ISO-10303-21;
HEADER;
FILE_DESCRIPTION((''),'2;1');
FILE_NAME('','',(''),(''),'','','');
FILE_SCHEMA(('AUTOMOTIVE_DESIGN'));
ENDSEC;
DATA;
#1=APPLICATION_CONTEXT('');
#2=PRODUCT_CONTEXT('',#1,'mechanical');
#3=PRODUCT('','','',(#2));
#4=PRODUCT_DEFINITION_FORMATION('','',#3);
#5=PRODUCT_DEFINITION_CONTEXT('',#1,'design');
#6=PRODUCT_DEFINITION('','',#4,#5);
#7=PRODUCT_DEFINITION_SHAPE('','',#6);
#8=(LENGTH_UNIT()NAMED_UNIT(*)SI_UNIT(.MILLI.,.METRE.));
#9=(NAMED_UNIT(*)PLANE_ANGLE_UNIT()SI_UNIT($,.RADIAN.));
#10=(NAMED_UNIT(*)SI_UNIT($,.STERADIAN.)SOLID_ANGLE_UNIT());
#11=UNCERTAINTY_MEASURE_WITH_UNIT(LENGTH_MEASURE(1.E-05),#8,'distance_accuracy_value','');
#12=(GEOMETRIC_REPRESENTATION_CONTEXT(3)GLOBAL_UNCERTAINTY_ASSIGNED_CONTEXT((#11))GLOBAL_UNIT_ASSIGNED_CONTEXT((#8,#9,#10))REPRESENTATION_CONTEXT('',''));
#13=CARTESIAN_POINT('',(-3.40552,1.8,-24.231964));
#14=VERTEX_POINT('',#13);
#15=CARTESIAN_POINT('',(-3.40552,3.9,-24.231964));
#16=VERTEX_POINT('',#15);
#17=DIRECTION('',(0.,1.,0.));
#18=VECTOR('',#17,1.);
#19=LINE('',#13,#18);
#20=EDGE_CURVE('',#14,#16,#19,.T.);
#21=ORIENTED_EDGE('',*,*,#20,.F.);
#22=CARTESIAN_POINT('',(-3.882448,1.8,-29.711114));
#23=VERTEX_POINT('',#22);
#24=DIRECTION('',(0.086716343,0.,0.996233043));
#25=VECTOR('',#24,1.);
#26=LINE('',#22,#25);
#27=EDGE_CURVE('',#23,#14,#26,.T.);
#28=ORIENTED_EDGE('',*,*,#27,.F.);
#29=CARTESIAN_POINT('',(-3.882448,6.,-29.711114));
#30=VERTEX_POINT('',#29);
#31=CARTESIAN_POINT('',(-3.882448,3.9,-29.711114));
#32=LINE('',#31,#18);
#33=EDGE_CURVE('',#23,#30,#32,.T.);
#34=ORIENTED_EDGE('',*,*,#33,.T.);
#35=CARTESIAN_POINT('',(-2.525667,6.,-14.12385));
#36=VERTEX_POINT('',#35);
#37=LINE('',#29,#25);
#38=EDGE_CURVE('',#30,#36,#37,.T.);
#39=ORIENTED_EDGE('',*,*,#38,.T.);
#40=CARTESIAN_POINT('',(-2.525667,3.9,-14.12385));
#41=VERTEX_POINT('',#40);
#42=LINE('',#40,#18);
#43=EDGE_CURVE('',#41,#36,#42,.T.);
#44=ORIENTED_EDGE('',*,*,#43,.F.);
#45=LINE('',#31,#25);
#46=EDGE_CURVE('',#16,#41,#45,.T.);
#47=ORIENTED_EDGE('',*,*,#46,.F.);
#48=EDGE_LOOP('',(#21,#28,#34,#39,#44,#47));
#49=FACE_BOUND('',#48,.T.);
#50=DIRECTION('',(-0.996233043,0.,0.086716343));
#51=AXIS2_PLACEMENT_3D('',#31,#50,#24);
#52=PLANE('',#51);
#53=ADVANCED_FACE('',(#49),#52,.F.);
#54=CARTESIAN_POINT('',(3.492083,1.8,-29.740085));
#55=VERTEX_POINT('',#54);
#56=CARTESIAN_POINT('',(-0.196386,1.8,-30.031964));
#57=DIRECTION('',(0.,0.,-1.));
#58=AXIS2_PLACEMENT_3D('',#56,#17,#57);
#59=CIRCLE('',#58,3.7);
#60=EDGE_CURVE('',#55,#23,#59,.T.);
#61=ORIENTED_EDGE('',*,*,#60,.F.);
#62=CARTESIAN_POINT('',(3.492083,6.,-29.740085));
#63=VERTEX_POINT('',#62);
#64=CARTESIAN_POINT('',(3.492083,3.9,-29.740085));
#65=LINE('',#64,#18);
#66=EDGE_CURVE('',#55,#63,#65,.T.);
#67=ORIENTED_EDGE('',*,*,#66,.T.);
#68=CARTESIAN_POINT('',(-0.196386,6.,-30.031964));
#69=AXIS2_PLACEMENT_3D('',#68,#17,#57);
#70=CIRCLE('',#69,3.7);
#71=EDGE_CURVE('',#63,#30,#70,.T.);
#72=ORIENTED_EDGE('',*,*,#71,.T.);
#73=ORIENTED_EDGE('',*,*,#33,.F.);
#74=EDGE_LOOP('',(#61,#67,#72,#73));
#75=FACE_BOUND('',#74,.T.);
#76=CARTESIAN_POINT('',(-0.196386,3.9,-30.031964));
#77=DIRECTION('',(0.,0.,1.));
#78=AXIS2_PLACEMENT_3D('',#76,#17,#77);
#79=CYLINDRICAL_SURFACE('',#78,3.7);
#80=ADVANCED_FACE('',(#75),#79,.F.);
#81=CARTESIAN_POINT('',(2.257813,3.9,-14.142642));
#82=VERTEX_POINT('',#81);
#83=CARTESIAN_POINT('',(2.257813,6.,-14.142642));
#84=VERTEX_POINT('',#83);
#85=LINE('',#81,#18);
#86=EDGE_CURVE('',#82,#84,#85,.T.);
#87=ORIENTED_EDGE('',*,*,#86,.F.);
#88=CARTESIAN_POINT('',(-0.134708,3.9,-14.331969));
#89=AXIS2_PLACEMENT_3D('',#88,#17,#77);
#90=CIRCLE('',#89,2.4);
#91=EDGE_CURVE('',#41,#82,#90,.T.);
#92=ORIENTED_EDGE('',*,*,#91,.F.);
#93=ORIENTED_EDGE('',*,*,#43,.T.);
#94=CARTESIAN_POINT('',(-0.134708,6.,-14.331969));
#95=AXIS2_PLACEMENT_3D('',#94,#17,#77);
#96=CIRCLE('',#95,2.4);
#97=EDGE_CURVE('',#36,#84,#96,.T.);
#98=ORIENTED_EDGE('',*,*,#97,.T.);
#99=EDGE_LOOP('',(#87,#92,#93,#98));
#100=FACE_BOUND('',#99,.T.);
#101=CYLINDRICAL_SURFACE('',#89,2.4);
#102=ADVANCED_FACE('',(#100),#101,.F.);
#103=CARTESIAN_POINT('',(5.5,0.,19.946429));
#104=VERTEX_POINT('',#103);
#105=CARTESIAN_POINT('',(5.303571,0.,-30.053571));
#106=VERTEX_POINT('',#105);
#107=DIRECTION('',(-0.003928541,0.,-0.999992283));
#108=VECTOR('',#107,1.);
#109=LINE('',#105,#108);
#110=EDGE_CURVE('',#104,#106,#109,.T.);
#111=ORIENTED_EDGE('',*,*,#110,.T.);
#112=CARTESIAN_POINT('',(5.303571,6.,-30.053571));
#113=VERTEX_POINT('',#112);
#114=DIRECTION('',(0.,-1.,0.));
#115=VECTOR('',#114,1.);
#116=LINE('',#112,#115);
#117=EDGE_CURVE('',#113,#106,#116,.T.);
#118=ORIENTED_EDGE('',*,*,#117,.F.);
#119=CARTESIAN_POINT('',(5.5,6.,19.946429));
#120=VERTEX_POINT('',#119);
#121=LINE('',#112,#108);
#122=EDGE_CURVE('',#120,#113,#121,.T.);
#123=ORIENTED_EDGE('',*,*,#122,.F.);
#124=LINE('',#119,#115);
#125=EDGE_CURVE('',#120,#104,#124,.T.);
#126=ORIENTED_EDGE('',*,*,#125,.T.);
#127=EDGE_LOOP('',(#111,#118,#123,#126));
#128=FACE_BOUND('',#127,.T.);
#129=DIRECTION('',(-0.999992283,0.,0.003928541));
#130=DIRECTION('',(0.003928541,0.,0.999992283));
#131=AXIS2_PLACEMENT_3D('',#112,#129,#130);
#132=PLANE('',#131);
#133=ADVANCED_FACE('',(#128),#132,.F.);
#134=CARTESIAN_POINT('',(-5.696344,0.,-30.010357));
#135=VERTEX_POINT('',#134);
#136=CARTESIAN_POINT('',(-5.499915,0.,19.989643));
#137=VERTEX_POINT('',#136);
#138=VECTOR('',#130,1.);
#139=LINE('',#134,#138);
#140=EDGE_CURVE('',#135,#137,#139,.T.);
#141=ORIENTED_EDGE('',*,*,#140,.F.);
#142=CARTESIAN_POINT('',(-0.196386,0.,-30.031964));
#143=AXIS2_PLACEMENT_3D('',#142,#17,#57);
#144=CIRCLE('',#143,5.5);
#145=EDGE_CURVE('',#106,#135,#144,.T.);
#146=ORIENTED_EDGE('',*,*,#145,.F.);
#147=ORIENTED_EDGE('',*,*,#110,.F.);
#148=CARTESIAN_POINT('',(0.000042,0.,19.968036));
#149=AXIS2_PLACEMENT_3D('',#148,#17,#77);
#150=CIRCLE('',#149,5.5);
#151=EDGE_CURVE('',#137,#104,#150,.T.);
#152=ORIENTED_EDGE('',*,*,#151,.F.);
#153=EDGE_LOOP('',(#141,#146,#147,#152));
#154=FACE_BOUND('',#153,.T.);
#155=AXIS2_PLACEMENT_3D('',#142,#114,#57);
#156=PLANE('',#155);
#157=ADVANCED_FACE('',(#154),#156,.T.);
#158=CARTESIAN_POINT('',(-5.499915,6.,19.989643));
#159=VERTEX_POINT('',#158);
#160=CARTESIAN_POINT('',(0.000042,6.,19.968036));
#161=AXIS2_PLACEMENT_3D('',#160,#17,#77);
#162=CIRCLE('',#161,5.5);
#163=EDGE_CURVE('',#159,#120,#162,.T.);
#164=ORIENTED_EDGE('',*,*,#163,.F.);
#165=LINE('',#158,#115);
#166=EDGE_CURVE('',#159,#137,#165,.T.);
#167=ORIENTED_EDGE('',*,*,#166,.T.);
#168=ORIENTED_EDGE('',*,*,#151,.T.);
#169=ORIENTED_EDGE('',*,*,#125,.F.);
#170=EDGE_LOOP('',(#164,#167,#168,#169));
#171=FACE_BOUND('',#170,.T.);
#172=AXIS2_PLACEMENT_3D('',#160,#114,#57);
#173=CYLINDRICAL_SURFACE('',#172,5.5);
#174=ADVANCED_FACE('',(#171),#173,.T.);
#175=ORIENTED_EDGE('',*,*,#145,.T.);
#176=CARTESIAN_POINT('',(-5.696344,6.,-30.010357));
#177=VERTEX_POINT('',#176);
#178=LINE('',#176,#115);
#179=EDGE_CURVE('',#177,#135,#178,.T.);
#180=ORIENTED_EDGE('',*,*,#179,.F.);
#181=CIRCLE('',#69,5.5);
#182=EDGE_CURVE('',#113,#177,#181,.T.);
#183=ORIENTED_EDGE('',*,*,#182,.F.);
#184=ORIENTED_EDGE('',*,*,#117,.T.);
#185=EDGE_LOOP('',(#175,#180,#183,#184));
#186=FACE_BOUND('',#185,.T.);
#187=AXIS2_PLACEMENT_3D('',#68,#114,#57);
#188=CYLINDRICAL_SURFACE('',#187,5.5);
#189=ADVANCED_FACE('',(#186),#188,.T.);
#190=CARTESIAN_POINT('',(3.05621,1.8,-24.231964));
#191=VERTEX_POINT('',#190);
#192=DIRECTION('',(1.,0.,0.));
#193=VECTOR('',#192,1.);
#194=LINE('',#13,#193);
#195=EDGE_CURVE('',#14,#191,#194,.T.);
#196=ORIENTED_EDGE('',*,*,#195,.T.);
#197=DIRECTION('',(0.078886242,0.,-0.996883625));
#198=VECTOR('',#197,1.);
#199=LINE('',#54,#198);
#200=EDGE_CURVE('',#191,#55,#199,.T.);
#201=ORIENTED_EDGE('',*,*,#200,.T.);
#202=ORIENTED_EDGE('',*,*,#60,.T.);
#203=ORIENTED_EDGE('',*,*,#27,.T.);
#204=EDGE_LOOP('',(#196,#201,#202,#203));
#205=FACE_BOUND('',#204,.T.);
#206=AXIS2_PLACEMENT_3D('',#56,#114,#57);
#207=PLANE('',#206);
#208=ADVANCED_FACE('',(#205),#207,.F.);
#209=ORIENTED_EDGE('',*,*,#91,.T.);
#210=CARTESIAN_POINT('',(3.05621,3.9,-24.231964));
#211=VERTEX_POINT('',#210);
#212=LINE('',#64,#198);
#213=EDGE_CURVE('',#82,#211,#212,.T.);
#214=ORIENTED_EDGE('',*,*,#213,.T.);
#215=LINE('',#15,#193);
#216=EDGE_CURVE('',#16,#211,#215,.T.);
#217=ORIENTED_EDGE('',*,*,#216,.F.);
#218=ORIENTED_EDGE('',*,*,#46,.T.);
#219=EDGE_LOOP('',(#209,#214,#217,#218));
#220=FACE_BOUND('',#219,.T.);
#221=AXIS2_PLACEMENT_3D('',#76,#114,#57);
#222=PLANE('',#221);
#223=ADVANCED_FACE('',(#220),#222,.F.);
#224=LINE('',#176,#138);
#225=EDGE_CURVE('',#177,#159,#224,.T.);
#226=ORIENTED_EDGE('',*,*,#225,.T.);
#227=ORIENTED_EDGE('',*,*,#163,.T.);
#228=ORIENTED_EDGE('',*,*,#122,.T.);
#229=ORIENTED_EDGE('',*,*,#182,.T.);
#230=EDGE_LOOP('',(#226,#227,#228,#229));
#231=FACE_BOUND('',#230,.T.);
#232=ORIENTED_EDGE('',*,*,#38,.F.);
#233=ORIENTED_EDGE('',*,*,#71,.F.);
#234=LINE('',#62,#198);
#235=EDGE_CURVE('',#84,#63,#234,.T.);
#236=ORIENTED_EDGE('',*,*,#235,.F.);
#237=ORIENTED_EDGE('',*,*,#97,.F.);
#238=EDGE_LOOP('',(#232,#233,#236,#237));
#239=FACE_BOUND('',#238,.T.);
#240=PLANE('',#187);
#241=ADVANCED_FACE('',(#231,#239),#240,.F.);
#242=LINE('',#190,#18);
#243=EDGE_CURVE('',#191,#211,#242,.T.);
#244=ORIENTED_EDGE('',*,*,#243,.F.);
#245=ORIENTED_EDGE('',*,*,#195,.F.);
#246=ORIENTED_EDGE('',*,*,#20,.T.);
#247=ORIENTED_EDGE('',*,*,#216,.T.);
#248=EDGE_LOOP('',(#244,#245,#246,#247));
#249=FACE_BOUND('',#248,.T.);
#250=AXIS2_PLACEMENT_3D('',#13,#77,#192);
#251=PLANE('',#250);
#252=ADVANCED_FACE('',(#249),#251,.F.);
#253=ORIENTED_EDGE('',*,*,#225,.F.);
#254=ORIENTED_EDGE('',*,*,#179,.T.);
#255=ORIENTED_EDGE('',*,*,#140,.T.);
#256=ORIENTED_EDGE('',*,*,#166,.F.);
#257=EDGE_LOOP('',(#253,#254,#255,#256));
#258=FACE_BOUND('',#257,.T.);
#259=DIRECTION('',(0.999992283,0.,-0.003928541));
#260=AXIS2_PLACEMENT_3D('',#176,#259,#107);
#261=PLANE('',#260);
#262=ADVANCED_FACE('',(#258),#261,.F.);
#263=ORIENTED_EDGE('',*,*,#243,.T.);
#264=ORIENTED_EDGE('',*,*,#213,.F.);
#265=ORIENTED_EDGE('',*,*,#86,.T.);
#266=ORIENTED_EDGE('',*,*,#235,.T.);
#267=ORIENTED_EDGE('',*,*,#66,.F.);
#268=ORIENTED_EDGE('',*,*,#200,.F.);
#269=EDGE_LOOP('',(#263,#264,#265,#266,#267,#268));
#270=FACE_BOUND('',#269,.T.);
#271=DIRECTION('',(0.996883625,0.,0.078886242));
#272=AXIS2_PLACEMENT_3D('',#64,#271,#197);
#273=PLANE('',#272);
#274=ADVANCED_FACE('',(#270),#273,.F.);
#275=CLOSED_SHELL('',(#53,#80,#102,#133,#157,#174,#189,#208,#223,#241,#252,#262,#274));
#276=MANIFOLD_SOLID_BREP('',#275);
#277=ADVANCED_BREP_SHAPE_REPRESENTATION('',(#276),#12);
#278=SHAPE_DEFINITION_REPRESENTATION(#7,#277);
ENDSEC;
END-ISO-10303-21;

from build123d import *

# Parameters (mm, degrees)
EXTRUDE_1_DEPTH     = 6
CUT_EXTRUDE_1_DEPTH = 2.1
CUT_EXTRUDE_2_DEPTH = 2.1


with BuildPart() as part:
    # Эскиз2 → Бобышка-Вытянуть1 (new body)
    with BuildSketch(Plane(origin=(0, 0, 0), x_dir=(1, 0, 0), z_dir=(0, 1, 0))):
        with BuildLine():
            Line((-5.696343687, 30.010357476), (-5.499915116, -19.989642524))
            ThreePointArc((-5.499915116, -19.989642524), (0.021649418, -25.467993105), (5.5, -19.946428571))
            Line((5.5, -19.946428571), (5.303571429, 30.053571429))
            ThreePointArc((5.303571429, 30.053571429), (-0.217993105, 35.53192201), (-5.696343687, 30.010357476))
        make_face()
    extrude(amount=EXTRUDE_1_DEPTH)

    # Эскиз3 → Вырез-Вытянуть1 (cut)
    with BuildSketch(Plane(origin=(0, 6, 0), x_dir=(1, 0, 0), z_dir=(0, 1, 0))):
        with BuildLine():
            Line((-3.882448388, 29.711113982), (-2.525666878, 14.123849568))
            ThreePointArc((-2.525666878, 14.123849568), (-0.125279076, 11.931987312), (2.257813124, 14.142641811))
            Line((2.257813124, 14.142641811), (3.492083281, 29.740085357))
            ThreePointArc((3.492083281, 29.740085357), (-0.210921731, 33.7319359), (-3.882448388, 29.711113982))
        make_face()
    extrude(amount=-CUT_EXTRUDE_1_DEPTH, mode=Mode.SUBTRACT)

    # Эскиз4 → Вырез-Вытянуть2 (cut)
    with BuildSketch(Plane(origin=(0, 3.9, 0), x_dir=(1, 0, 0), z_dir=(0, 1, 0))):
        with BuildLine():
            Line((-3.405520008, 24.231964452), (3.056209977, 24.231964452))
            Line((3.056209977, 24.231964452), (3.492083281, 29.740085357))
            ThreePointArc((3.492083281, 29.740085357), (-0.210921731, 33.7319359), (-3.882448388, 29.711113982))
            Line((-3.882448388, 29.711113982), (-3.405520008, 24.231964452))
        make_face()
    extrude(amount=-CUT_EXTRUDE_2_DEPTH, mode=Mode.SUBTRACT)


solid = part.part
